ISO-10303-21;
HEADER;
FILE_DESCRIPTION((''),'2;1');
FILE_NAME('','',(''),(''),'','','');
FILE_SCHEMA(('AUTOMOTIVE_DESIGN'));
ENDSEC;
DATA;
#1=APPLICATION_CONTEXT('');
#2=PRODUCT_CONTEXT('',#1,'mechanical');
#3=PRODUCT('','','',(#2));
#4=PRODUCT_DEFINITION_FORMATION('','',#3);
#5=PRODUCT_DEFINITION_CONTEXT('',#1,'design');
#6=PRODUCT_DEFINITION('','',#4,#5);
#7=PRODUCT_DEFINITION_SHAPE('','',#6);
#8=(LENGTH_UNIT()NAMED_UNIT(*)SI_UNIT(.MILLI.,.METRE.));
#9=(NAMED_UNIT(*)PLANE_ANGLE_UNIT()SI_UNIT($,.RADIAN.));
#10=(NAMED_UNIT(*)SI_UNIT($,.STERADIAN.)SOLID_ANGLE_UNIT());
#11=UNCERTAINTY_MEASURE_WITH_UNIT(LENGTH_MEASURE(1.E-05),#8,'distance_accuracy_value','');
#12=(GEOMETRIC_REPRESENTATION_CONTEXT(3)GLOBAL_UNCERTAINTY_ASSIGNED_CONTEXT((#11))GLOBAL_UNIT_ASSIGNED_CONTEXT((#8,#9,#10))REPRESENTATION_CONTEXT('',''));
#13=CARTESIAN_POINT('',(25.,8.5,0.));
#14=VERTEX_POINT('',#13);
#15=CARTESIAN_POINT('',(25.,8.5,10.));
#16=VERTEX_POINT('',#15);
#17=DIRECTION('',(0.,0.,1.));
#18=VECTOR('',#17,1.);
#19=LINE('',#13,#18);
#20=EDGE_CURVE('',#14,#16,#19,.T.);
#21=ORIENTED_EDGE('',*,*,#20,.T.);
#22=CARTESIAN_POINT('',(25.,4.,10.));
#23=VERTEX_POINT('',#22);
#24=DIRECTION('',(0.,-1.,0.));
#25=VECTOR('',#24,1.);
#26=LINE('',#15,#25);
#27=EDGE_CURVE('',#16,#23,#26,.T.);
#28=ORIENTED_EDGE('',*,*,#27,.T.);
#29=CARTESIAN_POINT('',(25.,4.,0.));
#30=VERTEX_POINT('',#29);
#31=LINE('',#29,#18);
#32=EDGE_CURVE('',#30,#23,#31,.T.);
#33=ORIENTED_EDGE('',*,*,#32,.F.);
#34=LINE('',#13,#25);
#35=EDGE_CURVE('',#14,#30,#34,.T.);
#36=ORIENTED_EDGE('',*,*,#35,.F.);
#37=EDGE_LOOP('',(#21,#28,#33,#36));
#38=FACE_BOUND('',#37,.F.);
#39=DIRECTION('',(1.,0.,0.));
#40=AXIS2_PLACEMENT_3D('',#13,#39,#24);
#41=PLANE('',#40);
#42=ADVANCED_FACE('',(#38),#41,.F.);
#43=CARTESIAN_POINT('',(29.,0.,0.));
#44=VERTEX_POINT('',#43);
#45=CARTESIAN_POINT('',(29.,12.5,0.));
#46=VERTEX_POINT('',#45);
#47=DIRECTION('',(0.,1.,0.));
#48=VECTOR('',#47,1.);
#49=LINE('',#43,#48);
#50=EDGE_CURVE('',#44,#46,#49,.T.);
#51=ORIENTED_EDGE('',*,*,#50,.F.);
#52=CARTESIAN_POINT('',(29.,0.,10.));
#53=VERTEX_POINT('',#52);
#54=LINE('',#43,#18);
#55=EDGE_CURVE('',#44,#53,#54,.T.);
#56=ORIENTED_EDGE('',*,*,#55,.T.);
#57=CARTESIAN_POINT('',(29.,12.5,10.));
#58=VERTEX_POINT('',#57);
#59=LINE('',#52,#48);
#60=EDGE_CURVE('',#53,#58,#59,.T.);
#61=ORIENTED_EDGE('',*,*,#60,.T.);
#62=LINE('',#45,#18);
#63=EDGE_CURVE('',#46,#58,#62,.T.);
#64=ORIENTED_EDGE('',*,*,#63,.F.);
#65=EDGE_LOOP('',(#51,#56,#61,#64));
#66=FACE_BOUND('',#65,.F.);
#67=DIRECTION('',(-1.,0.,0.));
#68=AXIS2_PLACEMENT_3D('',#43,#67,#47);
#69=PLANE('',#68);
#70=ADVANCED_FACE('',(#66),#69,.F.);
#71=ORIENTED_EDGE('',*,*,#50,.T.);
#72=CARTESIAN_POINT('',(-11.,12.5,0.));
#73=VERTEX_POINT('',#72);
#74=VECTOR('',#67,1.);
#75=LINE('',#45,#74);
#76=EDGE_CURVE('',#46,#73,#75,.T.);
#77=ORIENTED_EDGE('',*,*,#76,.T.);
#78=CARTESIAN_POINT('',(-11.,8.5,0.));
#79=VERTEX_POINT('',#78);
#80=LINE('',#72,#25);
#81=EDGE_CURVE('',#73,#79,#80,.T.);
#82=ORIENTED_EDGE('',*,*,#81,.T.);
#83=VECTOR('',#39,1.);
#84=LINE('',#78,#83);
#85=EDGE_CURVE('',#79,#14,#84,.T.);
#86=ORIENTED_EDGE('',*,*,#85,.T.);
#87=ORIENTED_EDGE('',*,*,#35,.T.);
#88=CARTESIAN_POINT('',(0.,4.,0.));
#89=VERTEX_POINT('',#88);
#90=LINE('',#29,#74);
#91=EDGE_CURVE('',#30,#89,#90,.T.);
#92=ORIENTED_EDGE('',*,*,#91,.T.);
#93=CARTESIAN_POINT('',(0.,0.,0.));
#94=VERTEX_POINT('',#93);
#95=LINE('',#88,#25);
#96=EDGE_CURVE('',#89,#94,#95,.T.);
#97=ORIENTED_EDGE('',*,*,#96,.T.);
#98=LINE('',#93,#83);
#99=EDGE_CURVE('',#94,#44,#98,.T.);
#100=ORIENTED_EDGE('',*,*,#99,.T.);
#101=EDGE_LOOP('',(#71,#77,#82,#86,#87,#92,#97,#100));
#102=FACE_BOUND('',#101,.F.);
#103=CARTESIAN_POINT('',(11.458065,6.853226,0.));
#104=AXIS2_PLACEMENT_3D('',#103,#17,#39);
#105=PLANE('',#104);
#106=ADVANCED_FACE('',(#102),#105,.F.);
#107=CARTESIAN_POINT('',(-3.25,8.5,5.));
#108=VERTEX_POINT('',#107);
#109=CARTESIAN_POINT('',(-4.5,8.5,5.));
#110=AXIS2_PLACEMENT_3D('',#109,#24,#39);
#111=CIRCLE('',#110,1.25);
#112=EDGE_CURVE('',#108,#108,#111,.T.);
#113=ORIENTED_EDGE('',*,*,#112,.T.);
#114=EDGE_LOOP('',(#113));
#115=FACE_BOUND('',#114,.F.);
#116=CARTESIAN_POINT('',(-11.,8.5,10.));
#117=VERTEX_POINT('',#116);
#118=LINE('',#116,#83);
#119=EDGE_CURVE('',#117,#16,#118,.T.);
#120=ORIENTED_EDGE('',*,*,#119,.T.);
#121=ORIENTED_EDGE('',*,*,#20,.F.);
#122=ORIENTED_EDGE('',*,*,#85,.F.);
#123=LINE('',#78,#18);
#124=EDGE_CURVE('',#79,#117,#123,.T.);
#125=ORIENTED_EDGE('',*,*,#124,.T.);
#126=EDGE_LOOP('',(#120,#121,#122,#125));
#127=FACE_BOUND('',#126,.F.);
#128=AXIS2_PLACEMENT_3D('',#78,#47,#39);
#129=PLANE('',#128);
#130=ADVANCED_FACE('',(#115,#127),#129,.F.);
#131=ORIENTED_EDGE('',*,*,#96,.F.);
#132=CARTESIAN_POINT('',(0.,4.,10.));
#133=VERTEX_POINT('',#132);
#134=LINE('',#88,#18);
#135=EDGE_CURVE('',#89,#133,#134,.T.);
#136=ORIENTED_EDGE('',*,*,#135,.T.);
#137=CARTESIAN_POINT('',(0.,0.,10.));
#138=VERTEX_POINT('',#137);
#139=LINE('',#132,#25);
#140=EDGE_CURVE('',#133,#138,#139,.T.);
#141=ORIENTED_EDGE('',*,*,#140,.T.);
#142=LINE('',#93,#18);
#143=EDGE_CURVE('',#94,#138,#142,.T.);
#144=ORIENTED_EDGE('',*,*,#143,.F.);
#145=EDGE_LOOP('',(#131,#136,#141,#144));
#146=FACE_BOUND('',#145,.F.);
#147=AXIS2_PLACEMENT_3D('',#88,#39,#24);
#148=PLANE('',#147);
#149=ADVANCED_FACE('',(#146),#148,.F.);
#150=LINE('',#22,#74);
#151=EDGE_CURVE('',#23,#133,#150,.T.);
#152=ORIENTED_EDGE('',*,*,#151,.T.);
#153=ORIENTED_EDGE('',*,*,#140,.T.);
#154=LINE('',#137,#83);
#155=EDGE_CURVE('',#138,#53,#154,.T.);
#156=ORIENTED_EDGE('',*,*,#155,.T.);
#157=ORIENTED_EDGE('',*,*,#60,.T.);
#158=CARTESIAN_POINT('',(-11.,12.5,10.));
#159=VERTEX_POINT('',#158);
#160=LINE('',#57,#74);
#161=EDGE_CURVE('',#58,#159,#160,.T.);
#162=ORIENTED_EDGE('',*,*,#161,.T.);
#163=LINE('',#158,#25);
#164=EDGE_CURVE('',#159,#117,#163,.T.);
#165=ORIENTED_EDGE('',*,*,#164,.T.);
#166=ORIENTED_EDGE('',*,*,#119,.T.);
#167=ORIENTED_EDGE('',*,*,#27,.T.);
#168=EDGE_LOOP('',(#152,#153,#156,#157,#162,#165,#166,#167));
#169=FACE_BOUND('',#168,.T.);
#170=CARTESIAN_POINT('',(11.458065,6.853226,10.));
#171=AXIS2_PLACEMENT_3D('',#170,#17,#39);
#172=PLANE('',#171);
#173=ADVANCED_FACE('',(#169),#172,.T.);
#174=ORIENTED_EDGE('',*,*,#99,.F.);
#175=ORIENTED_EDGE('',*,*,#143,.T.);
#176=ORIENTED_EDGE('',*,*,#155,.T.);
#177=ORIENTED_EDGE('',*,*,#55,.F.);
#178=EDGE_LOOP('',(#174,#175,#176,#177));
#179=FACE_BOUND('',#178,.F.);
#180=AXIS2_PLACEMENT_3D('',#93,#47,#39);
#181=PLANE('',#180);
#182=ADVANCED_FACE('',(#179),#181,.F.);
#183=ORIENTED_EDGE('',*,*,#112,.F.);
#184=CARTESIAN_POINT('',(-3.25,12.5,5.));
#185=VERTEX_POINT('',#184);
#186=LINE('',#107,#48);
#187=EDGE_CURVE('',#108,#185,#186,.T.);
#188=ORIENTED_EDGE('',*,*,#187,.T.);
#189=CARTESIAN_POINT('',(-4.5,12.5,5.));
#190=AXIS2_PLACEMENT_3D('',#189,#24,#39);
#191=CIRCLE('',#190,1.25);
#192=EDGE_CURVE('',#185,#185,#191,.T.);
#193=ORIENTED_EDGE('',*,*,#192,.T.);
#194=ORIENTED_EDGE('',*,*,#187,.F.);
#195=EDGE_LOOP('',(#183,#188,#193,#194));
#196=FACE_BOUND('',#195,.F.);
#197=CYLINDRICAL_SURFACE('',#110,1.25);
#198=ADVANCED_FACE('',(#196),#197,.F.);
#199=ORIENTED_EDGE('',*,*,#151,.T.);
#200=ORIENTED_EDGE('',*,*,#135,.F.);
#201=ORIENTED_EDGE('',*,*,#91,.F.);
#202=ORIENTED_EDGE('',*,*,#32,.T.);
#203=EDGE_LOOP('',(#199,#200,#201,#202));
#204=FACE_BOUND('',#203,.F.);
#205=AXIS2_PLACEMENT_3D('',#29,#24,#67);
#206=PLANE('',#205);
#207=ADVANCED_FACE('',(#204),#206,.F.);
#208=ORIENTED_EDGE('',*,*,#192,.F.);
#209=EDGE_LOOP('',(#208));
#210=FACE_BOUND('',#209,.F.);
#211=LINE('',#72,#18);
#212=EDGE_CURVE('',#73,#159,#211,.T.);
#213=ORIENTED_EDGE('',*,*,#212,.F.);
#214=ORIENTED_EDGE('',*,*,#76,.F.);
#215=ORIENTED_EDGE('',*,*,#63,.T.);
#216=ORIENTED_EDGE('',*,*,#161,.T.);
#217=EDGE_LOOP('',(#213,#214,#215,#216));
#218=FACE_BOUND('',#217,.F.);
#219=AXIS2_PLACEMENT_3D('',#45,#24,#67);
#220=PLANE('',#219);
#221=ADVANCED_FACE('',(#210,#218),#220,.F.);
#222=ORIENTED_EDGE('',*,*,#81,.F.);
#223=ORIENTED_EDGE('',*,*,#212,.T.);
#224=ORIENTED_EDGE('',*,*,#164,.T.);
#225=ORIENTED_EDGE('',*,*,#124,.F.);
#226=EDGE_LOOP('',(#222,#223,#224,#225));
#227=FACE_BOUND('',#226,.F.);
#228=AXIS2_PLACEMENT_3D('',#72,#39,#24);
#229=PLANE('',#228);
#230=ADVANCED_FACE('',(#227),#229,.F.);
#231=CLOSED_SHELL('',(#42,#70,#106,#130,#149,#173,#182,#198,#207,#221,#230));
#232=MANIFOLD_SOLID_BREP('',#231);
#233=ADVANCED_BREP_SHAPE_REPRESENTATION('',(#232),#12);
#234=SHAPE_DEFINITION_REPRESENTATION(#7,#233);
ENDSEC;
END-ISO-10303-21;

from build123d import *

# Parameters (mm, degrees)
F1_DEPTH = 10
F2_R     = 1.25
F3_DEPTH = 25


with BuildPart() as f1:
    # F0 (on Top) → F1 (new body)
    with BuildSketch(Plane.XY):
        Polygon((0, 4), (0, 0), (29, 0), (29, 12.5), (-11, 12.5), (-11, 8.5), (25, 8.5), (25, 4), align=None)
    extrude(amount=F1_DEPTH)

    # F2 (on face) → F3 (cut)
    with BuildSketch(Plane.XZ.offset(-8.5)):
        with Locations((-4.5, 5)):
            Circle(F2_R)
    extrude(amount=-F3_DEPTH, mode=Mode.SUBTRACT)


solid = f1.part
